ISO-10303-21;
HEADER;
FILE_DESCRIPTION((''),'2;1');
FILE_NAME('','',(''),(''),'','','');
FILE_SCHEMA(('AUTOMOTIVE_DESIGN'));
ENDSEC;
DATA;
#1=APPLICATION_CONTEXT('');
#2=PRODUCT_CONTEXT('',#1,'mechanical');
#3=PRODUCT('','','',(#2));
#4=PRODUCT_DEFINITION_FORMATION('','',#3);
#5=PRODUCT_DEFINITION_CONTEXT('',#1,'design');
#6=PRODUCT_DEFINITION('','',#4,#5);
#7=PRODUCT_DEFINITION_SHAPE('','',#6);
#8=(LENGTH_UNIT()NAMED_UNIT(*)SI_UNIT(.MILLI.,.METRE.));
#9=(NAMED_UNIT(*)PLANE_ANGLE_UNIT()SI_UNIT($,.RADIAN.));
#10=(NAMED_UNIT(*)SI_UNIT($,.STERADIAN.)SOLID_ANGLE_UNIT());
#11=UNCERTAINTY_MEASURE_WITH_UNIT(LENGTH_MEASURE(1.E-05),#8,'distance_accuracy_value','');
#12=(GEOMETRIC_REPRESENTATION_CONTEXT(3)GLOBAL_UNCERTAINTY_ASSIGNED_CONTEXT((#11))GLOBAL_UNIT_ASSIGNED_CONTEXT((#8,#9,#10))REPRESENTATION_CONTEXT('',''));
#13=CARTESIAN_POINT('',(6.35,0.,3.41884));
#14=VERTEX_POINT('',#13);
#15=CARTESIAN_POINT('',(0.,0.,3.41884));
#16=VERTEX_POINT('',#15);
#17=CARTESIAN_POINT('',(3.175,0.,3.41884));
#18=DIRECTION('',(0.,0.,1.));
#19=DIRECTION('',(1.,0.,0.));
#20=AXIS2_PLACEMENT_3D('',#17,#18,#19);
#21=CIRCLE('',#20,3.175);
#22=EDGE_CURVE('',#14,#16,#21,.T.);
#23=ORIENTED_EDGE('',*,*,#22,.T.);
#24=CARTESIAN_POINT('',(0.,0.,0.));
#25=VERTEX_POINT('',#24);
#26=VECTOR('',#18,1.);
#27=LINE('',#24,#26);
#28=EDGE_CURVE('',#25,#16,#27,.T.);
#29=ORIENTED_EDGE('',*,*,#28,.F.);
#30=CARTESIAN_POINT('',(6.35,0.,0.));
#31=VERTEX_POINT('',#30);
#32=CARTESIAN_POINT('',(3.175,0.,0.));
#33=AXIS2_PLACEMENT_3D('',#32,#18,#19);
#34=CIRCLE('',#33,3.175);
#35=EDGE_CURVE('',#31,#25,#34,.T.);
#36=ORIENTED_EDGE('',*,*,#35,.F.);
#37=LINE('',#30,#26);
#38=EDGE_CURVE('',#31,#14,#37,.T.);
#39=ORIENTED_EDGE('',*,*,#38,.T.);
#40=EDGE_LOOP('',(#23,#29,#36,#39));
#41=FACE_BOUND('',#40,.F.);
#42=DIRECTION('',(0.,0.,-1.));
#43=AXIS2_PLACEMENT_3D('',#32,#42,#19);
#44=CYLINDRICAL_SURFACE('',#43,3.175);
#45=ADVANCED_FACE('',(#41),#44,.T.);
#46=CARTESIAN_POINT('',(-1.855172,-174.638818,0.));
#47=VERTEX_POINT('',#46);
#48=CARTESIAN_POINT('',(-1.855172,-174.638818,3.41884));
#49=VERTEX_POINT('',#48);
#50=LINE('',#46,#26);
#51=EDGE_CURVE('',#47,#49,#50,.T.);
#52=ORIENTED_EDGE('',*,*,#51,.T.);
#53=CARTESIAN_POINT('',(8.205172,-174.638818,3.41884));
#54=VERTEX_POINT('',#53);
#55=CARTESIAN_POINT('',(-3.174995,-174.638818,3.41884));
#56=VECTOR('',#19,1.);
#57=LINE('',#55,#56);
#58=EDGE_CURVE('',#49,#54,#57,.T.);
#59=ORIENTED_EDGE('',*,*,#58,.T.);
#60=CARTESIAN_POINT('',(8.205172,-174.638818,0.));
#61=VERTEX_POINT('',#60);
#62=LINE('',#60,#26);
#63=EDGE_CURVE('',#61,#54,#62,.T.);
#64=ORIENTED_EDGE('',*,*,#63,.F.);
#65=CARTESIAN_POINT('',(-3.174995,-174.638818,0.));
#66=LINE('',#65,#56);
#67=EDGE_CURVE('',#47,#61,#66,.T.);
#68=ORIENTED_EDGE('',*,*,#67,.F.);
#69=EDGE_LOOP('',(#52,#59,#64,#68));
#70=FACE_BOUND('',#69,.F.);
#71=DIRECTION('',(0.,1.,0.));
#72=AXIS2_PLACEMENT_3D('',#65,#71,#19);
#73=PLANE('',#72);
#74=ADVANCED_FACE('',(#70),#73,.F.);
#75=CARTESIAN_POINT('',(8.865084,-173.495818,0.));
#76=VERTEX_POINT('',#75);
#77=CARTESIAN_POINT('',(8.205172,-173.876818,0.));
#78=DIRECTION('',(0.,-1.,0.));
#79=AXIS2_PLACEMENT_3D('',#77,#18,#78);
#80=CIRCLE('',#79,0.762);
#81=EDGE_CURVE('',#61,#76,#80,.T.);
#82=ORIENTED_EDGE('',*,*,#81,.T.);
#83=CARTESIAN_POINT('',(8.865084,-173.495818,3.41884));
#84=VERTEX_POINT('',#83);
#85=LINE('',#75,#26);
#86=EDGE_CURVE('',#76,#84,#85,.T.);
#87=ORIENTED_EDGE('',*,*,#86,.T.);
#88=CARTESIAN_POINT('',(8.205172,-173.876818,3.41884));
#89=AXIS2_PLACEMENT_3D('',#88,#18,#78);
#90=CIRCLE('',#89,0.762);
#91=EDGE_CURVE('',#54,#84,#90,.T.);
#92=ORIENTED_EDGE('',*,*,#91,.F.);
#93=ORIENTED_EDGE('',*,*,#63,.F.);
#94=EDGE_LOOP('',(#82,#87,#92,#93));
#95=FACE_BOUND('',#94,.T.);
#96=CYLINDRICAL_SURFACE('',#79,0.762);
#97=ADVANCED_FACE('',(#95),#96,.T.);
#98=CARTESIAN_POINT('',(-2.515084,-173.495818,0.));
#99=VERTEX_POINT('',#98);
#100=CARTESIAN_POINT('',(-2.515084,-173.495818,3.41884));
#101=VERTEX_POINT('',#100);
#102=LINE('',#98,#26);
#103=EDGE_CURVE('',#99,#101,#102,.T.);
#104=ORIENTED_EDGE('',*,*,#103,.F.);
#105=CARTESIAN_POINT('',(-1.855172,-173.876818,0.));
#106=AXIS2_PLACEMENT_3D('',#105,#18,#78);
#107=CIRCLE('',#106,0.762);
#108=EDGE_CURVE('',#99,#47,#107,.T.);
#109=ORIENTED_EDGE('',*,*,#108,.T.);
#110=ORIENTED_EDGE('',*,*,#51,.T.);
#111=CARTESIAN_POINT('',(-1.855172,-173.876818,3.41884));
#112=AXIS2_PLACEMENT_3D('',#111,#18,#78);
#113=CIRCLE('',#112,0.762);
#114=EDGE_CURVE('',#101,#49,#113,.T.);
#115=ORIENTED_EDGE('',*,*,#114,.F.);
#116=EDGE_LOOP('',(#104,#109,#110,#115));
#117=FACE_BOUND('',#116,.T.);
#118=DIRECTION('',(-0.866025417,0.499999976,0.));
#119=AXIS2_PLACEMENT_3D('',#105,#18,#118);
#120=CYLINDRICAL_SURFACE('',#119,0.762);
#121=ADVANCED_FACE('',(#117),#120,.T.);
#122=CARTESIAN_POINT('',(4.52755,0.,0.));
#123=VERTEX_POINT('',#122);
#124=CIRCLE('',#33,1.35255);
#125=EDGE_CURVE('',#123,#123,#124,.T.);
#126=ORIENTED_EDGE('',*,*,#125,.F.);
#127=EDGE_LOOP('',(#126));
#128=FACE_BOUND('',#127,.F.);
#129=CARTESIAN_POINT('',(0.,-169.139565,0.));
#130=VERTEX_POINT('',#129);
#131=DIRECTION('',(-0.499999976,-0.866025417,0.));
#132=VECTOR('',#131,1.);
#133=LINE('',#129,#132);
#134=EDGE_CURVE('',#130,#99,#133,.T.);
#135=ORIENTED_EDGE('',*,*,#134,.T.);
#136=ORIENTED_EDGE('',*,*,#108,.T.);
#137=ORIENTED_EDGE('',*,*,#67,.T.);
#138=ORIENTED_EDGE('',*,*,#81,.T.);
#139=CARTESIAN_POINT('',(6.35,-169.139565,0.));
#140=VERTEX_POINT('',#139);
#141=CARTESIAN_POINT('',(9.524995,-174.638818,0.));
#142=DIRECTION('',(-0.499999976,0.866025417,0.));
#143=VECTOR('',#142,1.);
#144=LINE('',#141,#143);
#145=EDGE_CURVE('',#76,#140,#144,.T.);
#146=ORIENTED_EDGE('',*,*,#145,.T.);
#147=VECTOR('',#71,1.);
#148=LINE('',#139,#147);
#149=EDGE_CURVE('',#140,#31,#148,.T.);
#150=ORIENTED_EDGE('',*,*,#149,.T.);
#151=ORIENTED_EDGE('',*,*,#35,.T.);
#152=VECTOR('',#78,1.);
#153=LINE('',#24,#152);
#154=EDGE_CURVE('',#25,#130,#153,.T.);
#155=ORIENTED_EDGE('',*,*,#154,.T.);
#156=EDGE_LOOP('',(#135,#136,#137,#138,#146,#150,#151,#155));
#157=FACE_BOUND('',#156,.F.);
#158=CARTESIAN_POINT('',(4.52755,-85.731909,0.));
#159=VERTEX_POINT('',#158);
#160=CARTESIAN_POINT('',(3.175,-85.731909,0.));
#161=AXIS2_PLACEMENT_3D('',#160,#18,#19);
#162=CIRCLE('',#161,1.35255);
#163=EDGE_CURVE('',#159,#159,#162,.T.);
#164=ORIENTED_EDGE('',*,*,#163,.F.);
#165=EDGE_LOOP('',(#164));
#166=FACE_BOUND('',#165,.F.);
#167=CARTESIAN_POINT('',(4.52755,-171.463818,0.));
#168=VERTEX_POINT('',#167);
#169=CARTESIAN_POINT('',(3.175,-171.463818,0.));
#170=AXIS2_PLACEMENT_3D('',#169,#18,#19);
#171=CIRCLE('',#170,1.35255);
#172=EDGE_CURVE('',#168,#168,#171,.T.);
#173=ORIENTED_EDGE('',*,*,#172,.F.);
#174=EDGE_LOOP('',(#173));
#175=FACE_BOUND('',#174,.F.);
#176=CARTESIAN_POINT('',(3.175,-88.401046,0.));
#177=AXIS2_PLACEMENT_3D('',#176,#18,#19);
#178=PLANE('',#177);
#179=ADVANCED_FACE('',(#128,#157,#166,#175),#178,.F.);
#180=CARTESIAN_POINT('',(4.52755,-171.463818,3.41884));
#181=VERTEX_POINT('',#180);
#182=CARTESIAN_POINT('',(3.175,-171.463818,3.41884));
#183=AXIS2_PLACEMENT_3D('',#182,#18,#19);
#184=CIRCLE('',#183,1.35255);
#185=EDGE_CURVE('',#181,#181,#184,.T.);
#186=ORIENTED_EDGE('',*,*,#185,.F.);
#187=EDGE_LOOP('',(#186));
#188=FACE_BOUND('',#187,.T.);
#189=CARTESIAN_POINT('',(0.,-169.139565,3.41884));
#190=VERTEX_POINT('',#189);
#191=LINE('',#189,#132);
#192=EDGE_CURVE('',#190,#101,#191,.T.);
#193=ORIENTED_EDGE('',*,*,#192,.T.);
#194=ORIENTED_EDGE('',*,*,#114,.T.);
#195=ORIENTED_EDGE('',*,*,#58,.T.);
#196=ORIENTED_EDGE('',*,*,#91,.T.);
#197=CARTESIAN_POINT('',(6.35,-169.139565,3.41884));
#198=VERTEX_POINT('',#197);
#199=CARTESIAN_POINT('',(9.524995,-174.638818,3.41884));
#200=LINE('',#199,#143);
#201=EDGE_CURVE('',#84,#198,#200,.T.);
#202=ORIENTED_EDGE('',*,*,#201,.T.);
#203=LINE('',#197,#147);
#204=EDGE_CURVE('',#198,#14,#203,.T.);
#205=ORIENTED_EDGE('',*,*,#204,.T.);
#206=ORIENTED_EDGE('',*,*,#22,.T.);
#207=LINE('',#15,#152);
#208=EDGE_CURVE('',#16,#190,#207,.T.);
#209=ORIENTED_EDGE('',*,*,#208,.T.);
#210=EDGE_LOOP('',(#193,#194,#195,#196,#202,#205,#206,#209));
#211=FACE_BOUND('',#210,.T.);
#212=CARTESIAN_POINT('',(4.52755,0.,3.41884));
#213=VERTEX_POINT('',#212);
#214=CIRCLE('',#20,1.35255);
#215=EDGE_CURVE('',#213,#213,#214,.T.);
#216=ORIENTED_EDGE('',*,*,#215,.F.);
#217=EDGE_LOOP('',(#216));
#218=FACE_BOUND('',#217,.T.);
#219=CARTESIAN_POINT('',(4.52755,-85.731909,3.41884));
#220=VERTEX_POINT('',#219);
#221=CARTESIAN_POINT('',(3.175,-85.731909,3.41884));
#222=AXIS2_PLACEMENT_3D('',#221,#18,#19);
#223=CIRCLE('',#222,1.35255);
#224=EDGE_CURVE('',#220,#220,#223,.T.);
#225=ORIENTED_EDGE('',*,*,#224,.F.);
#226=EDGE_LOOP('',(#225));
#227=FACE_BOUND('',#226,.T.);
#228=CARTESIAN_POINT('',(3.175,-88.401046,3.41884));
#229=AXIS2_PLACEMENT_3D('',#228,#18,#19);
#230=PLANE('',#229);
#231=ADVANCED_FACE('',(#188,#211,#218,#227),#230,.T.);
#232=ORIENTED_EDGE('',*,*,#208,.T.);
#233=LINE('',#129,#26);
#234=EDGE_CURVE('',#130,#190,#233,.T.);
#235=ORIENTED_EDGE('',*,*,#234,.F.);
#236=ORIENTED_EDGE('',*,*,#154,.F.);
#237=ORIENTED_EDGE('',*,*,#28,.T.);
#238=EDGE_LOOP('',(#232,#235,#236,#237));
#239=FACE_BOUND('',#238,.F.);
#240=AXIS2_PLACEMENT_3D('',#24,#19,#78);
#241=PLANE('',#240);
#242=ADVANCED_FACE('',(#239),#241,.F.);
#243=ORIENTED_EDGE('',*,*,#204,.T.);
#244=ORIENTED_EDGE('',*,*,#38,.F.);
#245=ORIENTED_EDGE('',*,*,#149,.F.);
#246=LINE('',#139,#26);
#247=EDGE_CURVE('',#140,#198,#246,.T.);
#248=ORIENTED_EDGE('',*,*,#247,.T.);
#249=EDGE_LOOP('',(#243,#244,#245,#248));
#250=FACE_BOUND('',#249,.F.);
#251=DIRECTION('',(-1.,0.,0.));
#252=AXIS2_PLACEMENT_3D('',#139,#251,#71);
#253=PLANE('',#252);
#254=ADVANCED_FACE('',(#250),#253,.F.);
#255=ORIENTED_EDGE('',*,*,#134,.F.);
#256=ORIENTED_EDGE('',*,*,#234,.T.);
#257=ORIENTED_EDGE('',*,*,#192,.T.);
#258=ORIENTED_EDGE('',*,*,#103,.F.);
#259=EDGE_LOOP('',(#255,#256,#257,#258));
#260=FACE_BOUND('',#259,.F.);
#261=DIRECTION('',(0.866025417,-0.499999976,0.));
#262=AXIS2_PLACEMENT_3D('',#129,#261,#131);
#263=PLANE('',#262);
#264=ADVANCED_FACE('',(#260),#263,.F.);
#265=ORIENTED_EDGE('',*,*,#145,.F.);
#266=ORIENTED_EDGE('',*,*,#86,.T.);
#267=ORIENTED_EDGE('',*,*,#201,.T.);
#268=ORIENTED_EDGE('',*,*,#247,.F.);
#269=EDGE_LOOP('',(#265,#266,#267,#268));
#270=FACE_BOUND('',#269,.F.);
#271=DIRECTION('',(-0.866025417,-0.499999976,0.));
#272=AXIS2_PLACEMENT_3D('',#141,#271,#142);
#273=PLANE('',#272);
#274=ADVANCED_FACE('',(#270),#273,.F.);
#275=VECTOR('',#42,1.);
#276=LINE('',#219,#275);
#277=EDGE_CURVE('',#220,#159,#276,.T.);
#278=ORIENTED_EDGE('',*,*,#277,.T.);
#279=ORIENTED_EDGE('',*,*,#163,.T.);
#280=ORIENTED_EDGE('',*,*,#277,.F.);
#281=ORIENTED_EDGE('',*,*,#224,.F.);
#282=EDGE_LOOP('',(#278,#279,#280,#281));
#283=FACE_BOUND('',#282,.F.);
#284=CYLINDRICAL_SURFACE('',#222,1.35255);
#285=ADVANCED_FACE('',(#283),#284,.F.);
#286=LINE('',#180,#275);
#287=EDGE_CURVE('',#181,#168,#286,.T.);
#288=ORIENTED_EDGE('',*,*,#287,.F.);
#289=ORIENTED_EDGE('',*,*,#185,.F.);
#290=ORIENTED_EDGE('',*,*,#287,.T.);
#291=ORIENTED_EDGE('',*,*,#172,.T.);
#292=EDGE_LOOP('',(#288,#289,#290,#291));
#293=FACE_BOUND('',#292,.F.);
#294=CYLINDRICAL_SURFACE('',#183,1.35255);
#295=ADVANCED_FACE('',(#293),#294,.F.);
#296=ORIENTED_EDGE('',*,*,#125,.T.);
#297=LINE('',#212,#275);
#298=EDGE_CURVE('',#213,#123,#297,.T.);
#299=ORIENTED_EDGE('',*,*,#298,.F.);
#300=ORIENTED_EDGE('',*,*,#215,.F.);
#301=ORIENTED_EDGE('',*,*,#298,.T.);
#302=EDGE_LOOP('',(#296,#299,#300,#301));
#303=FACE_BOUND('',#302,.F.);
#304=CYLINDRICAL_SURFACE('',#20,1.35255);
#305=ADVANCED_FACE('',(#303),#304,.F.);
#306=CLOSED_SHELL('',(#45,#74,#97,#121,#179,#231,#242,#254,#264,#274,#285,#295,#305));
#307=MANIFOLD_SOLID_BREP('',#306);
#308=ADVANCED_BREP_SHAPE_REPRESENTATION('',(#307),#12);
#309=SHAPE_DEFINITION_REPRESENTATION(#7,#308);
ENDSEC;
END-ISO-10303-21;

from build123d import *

# Parameters (mm, degrees)
F1_DEPTH = 3.41884
F2_R     = 0.762
F3_R     = 1.35255
F4_DEPTH = 3.41884


with BuildPart() as f1:
    # F0 (on Top) → F1 (new body)
    with BuildSketch(Plane.XY):
        with BuildLine():
            ThreePointArc((6.35, 0), (3.175, 3.175), (0, 0))
            Line((0, 0), (0, -169.139565))
            Line((0, -169.139565), (-3.174995, -174.638818))
            Line((-3.174995, -174.638818), (9.524995, -174.638818))
            Line((9.524995, -174.638818), (6.35, -169.139565))
            Line((6.35, -169.139565), (6.35, 0))
        make_face()
    extrude(amount=F1_DEPTH)

    # F2
    f2_edges = [f1.edges().sort_by_distance(p)[0] for p in [
        (9.524995, -174.638818, 1.70942),
        (-3.174995, -174.638818, 1.70942),
    ]]
    fillet(f2_edges, radius=F2_R)

    # F3 (on face) → F4 (cut, through all)
    with BuildSketch(Plane.XY.offset(3.41884)):
        with Locations((3.175, 0)):
            Circle(F3_R)
        with Locations((3.175, -85.731909)):
            Circle(F3_R)
        with Locations((3.175, -171.463818)):
            Circle(F3_R)
    extrude(amount=-F4_DEPTH, mode=Mode.SUBTRACT)


solid = f1.part
